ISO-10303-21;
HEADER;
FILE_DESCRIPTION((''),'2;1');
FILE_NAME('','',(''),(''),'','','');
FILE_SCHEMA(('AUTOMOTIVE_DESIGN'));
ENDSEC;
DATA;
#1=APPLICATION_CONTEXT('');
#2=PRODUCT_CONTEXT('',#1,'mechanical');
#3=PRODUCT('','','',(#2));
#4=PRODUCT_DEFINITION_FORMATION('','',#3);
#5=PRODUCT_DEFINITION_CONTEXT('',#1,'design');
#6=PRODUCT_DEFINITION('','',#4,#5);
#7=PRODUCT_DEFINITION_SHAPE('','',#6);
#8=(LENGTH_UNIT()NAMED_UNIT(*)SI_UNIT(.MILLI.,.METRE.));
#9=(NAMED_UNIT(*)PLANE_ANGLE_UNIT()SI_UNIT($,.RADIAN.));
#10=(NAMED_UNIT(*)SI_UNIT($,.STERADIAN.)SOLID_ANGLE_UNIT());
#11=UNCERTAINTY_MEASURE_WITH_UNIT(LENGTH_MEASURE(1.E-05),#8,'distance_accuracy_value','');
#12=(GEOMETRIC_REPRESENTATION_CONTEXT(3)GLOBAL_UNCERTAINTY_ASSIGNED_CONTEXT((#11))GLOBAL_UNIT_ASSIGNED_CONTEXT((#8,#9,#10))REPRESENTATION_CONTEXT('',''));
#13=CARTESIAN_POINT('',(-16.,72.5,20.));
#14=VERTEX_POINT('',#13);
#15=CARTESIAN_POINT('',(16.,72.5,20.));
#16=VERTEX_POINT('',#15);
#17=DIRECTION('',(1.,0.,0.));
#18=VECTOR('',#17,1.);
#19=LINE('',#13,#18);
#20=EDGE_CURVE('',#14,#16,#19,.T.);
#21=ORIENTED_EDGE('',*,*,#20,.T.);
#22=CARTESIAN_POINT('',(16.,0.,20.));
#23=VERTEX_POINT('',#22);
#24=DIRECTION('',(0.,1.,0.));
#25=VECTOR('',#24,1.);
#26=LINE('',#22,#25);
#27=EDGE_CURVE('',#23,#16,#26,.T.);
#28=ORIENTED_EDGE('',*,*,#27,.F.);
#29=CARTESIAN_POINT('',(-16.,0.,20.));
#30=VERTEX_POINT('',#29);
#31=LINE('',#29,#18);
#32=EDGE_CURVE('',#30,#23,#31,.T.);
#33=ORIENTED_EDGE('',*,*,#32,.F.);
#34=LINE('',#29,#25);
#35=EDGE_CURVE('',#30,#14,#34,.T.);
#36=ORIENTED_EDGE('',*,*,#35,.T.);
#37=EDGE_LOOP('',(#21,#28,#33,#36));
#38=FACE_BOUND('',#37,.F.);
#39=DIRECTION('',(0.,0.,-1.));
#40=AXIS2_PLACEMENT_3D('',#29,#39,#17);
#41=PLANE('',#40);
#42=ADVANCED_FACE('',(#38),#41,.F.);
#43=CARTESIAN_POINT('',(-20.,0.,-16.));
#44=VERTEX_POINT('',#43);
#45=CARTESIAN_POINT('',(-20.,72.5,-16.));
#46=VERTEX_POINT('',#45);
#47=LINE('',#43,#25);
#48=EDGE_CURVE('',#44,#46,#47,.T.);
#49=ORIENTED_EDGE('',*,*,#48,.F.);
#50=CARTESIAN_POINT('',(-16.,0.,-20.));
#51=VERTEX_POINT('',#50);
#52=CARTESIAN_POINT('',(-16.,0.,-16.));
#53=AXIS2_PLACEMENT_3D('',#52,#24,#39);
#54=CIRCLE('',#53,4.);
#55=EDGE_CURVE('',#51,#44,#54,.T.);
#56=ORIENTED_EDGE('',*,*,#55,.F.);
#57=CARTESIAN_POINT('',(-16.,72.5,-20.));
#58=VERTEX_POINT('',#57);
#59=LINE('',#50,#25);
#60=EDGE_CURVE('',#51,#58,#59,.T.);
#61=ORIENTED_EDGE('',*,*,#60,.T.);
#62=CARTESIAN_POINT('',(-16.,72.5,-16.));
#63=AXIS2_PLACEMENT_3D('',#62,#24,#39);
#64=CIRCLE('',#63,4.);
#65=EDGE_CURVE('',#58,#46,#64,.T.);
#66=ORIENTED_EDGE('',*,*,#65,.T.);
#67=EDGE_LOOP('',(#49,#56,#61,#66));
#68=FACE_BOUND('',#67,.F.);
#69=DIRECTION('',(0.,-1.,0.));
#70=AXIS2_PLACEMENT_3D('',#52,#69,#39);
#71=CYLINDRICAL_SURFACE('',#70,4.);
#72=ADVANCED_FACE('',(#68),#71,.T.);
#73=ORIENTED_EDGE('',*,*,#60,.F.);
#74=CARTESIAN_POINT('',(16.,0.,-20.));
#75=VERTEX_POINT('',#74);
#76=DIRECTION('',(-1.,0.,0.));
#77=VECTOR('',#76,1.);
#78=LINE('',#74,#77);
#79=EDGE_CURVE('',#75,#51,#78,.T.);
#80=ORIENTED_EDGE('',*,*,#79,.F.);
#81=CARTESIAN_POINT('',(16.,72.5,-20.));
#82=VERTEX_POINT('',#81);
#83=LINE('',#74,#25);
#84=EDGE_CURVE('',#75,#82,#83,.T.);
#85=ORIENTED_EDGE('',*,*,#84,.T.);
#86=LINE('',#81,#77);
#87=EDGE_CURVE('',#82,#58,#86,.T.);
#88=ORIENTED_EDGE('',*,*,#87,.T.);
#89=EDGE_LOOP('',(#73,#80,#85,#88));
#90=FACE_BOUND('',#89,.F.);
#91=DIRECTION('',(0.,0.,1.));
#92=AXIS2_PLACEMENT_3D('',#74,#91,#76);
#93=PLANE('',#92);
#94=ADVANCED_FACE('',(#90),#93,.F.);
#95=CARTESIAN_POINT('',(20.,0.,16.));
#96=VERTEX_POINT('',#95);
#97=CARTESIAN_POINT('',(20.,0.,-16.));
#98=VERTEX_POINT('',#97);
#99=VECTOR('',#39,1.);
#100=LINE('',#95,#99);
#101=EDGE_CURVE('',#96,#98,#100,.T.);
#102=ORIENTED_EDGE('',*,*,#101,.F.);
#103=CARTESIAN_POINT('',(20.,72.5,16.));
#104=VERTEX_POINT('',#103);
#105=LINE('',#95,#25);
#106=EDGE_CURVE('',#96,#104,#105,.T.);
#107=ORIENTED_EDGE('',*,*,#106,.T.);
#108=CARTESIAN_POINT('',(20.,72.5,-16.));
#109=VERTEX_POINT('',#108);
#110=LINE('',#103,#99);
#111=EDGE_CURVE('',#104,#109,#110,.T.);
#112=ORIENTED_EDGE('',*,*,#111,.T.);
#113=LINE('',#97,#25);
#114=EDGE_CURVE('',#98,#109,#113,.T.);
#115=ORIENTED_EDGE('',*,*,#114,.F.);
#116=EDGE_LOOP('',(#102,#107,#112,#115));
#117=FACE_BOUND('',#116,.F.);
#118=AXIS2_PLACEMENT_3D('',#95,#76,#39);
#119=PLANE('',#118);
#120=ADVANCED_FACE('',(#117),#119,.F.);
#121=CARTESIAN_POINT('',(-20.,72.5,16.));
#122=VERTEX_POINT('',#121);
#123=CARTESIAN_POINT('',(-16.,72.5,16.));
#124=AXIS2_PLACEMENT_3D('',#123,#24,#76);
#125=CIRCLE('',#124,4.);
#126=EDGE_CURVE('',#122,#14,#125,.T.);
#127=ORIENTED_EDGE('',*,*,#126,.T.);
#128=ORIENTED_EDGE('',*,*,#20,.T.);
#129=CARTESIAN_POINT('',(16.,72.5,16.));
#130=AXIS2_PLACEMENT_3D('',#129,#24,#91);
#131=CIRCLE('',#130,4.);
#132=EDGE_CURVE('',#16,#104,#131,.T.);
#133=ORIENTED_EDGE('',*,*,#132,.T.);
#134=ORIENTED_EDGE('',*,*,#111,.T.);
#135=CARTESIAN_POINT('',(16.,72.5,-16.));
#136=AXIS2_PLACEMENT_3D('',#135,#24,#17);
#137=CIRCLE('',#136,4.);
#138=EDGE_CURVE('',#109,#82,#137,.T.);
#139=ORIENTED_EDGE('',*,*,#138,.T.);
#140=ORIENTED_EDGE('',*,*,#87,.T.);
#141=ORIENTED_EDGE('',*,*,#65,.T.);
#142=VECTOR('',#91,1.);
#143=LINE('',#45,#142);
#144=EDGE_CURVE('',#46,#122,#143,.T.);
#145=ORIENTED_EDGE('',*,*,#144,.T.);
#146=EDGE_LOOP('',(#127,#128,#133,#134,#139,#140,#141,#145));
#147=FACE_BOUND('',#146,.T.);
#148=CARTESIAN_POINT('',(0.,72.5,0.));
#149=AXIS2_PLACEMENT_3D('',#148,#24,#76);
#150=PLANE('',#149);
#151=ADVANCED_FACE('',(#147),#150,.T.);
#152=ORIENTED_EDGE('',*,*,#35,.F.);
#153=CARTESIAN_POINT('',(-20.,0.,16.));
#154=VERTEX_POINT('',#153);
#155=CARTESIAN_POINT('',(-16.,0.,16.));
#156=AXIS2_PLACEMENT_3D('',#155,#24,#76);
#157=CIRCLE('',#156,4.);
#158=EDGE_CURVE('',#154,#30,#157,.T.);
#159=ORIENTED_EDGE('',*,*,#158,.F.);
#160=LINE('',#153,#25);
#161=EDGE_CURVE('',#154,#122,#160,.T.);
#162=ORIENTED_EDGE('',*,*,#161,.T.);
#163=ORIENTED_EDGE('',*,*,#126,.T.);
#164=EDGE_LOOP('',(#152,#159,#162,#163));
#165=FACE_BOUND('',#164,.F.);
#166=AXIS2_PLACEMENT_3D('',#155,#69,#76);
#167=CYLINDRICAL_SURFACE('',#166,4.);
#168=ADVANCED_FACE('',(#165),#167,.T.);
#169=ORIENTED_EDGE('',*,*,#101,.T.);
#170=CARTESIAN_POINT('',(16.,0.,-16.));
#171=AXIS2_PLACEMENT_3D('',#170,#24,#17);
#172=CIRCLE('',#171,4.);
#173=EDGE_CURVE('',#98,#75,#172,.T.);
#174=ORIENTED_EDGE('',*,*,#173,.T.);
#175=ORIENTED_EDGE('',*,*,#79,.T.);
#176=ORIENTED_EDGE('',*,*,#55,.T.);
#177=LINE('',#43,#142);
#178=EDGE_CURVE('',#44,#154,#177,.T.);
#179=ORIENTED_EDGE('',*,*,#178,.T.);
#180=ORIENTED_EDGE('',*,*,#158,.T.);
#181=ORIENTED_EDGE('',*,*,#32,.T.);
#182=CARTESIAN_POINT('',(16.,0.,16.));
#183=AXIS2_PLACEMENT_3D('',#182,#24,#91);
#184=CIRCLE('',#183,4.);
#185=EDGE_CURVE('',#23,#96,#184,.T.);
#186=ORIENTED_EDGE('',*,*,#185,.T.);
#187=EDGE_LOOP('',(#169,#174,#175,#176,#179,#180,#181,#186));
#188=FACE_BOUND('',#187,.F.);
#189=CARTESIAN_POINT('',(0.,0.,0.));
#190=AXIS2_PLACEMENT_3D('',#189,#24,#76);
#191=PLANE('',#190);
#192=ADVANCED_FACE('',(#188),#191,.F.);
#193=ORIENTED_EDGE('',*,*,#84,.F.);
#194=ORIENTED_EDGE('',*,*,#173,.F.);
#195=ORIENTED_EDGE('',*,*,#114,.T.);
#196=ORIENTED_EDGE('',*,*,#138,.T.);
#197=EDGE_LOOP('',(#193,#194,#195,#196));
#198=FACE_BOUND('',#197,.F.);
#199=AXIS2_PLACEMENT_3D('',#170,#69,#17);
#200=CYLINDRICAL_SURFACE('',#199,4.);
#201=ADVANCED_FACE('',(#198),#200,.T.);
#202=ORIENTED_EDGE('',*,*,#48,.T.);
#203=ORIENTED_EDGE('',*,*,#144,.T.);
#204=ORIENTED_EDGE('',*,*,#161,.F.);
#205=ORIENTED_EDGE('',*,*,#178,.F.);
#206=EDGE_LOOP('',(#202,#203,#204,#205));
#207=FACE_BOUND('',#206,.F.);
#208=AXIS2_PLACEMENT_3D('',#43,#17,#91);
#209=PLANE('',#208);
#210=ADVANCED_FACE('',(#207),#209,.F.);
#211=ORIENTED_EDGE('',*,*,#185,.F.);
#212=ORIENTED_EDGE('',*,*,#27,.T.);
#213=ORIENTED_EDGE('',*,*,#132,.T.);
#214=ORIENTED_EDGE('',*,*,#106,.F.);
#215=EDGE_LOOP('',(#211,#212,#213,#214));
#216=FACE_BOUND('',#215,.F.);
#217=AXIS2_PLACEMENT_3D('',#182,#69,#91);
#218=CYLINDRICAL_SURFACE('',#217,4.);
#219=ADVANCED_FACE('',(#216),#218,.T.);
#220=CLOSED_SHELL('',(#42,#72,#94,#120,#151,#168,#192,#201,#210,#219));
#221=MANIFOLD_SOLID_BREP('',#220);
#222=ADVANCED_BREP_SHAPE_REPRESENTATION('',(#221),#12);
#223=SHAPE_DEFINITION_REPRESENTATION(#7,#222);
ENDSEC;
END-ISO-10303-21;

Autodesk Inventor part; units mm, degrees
ref_plane "YZ Plane" through (0, 0, 0) normal (1, 0, 0) x (0, 1, 0)
ref_plane "XZ Plane" through (0, 0, 0) normal (0, 1, 0) x (-1, 0, 0)
ref_plane "XY Plane" through (0, 0, 0) normal (0, 0, 1) x (1, 0, 0)
sketch "Sketch1" plane through (0, 0, 0) normal (0, 1, 0) x (-1, 0, 0)
  line L0 (0, 12.4728) -> (0, -12.4728) construction
  line L1 (2.135, 0) -> (-2.135, 0) construction
  line L2 (16, 20) -> (-16, 20)
  line L3 (-20, 16) -> (-20, -16)
  line L4 (-16, -20) -> (16, -20)
  line L5 (20, -16) -> (20, 16)
  arc A0 (-16, 20) -> (-20, 16) centre (-16, 16) ccw
  arc A1 (-20, -16) -> (-16, -20) centre (-16, -16) ccw
  arc A2 (16, -20) -> (20, -16) centre (16, -16) ccw
  arc A3 (20, 16) -> (16, 20) centre (16, 16) ccw
  point P0 (0, 0)
  point P1 (0, 0)
  dimension "d1" = 4
  dimension "d2" = 4
  dimension "d3" = 40
extrude "Extrusion1" add sketch "Sketch1" along normal blind 72.5
properties part number "item40x40_1000"
